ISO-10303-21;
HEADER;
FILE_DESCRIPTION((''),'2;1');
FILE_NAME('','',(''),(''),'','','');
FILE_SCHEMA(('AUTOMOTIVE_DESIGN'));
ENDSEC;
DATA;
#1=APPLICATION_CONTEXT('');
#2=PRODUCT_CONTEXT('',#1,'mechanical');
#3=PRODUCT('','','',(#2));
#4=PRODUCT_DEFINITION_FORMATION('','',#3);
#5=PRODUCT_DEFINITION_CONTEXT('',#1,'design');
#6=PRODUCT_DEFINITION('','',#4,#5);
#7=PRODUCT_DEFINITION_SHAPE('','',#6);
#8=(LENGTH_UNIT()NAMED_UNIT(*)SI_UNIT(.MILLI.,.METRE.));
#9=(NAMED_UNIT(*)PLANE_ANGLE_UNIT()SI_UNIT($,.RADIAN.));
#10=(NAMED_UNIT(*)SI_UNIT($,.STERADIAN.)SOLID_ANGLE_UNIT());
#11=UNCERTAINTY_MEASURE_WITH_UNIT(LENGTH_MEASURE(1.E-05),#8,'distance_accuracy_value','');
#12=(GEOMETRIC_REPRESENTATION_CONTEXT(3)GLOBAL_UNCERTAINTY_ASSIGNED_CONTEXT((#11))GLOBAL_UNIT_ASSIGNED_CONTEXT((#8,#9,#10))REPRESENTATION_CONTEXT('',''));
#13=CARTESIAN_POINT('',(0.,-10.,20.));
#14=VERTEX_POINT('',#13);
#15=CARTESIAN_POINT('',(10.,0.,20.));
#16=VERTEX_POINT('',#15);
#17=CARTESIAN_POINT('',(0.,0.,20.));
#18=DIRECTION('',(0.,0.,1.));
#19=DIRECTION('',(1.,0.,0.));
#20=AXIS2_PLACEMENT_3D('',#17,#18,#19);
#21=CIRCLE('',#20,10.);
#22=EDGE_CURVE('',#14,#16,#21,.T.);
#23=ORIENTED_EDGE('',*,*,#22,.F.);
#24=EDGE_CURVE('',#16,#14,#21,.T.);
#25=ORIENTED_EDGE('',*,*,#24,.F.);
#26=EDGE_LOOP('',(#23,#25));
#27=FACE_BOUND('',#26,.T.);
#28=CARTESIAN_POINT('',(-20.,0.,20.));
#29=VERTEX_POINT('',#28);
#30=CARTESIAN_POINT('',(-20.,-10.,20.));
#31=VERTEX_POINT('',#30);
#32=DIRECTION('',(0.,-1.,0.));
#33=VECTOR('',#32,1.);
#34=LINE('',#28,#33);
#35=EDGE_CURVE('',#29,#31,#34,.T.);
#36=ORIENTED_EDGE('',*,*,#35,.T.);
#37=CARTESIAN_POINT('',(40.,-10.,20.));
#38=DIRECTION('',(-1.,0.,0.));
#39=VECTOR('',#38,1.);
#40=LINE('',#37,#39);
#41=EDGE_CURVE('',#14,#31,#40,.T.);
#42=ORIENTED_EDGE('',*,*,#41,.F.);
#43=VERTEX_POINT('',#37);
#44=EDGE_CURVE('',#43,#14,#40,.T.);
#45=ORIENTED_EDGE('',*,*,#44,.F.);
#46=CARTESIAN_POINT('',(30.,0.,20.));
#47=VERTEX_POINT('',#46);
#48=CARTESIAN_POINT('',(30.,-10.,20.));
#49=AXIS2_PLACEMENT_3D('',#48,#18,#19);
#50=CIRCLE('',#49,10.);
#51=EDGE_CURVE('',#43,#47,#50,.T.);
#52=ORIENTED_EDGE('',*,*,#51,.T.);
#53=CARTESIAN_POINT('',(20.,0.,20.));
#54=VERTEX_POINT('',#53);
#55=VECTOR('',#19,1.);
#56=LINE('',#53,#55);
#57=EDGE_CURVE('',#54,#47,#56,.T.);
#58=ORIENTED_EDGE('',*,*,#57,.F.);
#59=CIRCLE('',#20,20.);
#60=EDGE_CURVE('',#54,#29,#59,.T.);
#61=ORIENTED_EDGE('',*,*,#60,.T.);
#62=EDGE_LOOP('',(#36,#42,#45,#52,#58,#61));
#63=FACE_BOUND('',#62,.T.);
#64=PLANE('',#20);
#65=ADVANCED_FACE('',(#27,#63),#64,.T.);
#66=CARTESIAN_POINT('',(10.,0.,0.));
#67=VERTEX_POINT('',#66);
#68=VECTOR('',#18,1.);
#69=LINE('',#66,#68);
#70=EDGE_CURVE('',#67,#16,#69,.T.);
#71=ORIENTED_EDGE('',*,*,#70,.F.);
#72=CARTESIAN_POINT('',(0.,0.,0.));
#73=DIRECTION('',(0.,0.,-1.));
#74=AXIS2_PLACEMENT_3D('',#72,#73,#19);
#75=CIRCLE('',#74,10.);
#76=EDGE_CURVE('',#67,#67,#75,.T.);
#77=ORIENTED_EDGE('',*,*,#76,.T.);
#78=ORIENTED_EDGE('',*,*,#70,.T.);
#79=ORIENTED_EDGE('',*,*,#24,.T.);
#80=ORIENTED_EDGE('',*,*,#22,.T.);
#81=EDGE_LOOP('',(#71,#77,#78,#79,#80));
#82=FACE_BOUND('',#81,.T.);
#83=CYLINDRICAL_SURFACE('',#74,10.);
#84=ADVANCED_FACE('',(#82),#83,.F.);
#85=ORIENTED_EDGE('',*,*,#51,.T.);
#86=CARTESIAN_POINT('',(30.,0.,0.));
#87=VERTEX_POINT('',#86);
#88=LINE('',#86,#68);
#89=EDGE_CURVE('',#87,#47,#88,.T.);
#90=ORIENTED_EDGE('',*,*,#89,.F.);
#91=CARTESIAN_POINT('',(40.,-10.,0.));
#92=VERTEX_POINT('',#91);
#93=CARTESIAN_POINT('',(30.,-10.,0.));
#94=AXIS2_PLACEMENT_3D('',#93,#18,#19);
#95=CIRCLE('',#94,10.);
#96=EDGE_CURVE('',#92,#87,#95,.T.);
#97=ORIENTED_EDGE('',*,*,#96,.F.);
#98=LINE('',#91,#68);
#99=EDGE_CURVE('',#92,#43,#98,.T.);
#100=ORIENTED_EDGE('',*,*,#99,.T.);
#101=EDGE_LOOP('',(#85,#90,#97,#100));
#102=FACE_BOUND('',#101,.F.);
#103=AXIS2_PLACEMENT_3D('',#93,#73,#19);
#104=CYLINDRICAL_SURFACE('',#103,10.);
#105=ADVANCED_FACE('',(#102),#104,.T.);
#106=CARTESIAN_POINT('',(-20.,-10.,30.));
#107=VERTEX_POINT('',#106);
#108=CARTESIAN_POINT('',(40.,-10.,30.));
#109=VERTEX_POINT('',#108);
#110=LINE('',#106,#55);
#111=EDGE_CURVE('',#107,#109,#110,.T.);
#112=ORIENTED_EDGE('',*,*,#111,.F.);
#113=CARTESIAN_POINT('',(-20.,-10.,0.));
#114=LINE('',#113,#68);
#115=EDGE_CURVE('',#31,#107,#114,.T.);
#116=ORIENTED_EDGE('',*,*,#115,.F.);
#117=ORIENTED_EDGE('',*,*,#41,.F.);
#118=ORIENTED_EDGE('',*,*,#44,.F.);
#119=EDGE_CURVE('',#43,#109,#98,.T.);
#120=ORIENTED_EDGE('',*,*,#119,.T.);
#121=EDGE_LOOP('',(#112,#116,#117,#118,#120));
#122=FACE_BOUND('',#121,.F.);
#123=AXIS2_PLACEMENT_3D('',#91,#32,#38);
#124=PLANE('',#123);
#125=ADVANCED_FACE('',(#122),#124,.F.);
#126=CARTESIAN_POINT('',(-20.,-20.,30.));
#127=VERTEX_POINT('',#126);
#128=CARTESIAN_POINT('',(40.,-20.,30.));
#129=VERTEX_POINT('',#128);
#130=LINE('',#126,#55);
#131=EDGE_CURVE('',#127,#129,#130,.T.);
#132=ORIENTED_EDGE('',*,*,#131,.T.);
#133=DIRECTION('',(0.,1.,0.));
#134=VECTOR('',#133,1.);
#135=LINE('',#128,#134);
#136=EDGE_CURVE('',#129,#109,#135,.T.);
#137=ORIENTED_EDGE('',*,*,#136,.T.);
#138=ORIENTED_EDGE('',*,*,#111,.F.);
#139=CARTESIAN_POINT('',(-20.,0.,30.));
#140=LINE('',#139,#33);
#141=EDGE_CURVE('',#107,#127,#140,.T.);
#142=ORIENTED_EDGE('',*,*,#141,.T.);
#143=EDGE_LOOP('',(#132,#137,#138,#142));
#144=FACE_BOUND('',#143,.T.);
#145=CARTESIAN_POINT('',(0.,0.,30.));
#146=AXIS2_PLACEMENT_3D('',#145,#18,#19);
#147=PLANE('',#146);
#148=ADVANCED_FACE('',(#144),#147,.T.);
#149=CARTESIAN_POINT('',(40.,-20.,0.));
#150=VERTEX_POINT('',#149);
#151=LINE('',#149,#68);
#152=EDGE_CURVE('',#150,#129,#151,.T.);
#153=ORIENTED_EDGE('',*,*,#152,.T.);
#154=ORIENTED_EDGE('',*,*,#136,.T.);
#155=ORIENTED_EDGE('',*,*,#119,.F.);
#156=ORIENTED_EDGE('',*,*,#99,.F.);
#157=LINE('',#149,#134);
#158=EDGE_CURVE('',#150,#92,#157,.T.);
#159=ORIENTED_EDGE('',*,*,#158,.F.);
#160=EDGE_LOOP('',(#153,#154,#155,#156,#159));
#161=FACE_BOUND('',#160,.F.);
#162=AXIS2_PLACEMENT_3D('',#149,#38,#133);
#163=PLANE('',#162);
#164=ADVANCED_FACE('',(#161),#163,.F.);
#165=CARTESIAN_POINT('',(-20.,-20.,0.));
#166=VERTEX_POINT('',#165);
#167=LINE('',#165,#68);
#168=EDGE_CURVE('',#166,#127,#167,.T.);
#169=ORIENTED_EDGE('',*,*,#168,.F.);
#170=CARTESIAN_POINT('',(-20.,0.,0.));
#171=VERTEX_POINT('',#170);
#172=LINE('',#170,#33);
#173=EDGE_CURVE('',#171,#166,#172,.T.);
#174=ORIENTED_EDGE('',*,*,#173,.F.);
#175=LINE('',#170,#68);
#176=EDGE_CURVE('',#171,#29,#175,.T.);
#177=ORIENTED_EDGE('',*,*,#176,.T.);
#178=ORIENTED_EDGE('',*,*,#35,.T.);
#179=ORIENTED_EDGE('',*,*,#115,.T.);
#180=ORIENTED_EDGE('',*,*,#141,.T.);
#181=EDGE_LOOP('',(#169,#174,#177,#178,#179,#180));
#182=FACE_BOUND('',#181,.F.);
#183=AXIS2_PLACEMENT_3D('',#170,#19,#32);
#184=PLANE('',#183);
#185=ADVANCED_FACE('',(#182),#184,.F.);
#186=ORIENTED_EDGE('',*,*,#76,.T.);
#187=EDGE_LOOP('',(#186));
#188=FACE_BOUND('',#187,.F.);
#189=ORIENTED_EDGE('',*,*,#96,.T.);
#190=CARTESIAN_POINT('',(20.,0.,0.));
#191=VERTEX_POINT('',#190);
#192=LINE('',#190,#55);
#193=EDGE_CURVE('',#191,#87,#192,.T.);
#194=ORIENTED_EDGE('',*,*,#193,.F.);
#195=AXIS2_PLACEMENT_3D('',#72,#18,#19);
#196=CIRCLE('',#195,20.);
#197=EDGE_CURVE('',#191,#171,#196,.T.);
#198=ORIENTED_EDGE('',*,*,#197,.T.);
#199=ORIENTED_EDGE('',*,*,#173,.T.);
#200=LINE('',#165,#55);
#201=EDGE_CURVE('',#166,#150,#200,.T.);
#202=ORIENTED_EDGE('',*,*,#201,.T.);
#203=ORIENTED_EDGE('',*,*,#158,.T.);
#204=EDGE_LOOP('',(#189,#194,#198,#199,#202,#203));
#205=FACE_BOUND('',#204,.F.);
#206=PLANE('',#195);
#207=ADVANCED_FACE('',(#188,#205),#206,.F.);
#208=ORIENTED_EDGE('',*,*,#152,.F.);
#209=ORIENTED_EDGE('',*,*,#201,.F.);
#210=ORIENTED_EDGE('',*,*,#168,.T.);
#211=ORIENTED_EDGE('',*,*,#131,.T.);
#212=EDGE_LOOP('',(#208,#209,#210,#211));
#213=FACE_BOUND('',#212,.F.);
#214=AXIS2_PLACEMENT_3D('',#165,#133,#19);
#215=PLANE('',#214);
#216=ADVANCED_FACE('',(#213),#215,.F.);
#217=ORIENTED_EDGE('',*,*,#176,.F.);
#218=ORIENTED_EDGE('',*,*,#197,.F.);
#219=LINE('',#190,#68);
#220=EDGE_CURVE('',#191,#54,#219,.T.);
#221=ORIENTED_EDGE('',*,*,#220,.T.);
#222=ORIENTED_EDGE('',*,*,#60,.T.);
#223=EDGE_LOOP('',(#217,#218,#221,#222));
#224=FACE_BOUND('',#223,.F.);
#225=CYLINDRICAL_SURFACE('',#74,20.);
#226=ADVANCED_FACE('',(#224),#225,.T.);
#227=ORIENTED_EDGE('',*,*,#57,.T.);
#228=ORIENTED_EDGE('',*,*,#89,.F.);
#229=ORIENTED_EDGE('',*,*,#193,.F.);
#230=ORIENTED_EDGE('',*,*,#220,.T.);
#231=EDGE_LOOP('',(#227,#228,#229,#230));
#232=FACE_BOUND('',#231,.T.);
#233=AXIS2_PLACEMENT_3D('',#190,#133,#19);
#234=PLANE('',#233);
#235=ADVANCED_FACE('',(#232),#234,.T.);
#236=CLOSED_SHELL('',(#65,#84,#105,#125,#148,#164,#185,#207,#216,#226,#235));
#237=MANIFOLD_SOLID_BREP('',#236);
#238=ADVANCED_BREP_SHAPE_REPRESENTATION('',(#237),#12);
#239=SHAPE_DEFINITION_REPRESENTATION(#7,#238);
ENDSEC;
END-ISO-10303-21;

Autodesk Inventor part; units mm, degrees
ref_plane "YZ Plane" through (0, 0, 0) normal (1, 0, 0) x (0, 1, 0)
ref_plane "XZ Plane" through (0, 0, 0) normal (0, 1, 0) x (-1, 0, 0)
ref_plane "XY Plane" through (0, 0, 0) normal (0, 0, 1) x (1, 0, 0)
sketch "草圖1" plane through (0, 0, 0) normal (0, 0, 1) x (1, 0, 0)
  circle A0 centre (0, 0) radius 10
  arc A1 (20, 0) -> (-20, 0) centre (0, 0) ccw
  line L0 (-20, 0) -> (-20, -20)
  line L1 (-20, -20) -> (40, -20)
  line L2 (40, -20) -> (40, -10)
  line L3 (40, -10) -> (-20, -10)
  line L4 (-20, -10) -> (-20, -20)
  line L5 (20, 0) -> (30, 0)
  line L6 (40, -10) -> (40, -10)
  arc A2 (40, -10) -> (30, 0) centre (30, -10) ccw
  point P0 (40, 0)
  point P1 (0, -10)
extrude "擠出1" add sketch "草圖1" along normal blind 30 contours L3 L2 L1 L0
extrude "擠出2" add sketch "草圖1" along normal blind 20 contours L3 L0 A1 L5 A2
